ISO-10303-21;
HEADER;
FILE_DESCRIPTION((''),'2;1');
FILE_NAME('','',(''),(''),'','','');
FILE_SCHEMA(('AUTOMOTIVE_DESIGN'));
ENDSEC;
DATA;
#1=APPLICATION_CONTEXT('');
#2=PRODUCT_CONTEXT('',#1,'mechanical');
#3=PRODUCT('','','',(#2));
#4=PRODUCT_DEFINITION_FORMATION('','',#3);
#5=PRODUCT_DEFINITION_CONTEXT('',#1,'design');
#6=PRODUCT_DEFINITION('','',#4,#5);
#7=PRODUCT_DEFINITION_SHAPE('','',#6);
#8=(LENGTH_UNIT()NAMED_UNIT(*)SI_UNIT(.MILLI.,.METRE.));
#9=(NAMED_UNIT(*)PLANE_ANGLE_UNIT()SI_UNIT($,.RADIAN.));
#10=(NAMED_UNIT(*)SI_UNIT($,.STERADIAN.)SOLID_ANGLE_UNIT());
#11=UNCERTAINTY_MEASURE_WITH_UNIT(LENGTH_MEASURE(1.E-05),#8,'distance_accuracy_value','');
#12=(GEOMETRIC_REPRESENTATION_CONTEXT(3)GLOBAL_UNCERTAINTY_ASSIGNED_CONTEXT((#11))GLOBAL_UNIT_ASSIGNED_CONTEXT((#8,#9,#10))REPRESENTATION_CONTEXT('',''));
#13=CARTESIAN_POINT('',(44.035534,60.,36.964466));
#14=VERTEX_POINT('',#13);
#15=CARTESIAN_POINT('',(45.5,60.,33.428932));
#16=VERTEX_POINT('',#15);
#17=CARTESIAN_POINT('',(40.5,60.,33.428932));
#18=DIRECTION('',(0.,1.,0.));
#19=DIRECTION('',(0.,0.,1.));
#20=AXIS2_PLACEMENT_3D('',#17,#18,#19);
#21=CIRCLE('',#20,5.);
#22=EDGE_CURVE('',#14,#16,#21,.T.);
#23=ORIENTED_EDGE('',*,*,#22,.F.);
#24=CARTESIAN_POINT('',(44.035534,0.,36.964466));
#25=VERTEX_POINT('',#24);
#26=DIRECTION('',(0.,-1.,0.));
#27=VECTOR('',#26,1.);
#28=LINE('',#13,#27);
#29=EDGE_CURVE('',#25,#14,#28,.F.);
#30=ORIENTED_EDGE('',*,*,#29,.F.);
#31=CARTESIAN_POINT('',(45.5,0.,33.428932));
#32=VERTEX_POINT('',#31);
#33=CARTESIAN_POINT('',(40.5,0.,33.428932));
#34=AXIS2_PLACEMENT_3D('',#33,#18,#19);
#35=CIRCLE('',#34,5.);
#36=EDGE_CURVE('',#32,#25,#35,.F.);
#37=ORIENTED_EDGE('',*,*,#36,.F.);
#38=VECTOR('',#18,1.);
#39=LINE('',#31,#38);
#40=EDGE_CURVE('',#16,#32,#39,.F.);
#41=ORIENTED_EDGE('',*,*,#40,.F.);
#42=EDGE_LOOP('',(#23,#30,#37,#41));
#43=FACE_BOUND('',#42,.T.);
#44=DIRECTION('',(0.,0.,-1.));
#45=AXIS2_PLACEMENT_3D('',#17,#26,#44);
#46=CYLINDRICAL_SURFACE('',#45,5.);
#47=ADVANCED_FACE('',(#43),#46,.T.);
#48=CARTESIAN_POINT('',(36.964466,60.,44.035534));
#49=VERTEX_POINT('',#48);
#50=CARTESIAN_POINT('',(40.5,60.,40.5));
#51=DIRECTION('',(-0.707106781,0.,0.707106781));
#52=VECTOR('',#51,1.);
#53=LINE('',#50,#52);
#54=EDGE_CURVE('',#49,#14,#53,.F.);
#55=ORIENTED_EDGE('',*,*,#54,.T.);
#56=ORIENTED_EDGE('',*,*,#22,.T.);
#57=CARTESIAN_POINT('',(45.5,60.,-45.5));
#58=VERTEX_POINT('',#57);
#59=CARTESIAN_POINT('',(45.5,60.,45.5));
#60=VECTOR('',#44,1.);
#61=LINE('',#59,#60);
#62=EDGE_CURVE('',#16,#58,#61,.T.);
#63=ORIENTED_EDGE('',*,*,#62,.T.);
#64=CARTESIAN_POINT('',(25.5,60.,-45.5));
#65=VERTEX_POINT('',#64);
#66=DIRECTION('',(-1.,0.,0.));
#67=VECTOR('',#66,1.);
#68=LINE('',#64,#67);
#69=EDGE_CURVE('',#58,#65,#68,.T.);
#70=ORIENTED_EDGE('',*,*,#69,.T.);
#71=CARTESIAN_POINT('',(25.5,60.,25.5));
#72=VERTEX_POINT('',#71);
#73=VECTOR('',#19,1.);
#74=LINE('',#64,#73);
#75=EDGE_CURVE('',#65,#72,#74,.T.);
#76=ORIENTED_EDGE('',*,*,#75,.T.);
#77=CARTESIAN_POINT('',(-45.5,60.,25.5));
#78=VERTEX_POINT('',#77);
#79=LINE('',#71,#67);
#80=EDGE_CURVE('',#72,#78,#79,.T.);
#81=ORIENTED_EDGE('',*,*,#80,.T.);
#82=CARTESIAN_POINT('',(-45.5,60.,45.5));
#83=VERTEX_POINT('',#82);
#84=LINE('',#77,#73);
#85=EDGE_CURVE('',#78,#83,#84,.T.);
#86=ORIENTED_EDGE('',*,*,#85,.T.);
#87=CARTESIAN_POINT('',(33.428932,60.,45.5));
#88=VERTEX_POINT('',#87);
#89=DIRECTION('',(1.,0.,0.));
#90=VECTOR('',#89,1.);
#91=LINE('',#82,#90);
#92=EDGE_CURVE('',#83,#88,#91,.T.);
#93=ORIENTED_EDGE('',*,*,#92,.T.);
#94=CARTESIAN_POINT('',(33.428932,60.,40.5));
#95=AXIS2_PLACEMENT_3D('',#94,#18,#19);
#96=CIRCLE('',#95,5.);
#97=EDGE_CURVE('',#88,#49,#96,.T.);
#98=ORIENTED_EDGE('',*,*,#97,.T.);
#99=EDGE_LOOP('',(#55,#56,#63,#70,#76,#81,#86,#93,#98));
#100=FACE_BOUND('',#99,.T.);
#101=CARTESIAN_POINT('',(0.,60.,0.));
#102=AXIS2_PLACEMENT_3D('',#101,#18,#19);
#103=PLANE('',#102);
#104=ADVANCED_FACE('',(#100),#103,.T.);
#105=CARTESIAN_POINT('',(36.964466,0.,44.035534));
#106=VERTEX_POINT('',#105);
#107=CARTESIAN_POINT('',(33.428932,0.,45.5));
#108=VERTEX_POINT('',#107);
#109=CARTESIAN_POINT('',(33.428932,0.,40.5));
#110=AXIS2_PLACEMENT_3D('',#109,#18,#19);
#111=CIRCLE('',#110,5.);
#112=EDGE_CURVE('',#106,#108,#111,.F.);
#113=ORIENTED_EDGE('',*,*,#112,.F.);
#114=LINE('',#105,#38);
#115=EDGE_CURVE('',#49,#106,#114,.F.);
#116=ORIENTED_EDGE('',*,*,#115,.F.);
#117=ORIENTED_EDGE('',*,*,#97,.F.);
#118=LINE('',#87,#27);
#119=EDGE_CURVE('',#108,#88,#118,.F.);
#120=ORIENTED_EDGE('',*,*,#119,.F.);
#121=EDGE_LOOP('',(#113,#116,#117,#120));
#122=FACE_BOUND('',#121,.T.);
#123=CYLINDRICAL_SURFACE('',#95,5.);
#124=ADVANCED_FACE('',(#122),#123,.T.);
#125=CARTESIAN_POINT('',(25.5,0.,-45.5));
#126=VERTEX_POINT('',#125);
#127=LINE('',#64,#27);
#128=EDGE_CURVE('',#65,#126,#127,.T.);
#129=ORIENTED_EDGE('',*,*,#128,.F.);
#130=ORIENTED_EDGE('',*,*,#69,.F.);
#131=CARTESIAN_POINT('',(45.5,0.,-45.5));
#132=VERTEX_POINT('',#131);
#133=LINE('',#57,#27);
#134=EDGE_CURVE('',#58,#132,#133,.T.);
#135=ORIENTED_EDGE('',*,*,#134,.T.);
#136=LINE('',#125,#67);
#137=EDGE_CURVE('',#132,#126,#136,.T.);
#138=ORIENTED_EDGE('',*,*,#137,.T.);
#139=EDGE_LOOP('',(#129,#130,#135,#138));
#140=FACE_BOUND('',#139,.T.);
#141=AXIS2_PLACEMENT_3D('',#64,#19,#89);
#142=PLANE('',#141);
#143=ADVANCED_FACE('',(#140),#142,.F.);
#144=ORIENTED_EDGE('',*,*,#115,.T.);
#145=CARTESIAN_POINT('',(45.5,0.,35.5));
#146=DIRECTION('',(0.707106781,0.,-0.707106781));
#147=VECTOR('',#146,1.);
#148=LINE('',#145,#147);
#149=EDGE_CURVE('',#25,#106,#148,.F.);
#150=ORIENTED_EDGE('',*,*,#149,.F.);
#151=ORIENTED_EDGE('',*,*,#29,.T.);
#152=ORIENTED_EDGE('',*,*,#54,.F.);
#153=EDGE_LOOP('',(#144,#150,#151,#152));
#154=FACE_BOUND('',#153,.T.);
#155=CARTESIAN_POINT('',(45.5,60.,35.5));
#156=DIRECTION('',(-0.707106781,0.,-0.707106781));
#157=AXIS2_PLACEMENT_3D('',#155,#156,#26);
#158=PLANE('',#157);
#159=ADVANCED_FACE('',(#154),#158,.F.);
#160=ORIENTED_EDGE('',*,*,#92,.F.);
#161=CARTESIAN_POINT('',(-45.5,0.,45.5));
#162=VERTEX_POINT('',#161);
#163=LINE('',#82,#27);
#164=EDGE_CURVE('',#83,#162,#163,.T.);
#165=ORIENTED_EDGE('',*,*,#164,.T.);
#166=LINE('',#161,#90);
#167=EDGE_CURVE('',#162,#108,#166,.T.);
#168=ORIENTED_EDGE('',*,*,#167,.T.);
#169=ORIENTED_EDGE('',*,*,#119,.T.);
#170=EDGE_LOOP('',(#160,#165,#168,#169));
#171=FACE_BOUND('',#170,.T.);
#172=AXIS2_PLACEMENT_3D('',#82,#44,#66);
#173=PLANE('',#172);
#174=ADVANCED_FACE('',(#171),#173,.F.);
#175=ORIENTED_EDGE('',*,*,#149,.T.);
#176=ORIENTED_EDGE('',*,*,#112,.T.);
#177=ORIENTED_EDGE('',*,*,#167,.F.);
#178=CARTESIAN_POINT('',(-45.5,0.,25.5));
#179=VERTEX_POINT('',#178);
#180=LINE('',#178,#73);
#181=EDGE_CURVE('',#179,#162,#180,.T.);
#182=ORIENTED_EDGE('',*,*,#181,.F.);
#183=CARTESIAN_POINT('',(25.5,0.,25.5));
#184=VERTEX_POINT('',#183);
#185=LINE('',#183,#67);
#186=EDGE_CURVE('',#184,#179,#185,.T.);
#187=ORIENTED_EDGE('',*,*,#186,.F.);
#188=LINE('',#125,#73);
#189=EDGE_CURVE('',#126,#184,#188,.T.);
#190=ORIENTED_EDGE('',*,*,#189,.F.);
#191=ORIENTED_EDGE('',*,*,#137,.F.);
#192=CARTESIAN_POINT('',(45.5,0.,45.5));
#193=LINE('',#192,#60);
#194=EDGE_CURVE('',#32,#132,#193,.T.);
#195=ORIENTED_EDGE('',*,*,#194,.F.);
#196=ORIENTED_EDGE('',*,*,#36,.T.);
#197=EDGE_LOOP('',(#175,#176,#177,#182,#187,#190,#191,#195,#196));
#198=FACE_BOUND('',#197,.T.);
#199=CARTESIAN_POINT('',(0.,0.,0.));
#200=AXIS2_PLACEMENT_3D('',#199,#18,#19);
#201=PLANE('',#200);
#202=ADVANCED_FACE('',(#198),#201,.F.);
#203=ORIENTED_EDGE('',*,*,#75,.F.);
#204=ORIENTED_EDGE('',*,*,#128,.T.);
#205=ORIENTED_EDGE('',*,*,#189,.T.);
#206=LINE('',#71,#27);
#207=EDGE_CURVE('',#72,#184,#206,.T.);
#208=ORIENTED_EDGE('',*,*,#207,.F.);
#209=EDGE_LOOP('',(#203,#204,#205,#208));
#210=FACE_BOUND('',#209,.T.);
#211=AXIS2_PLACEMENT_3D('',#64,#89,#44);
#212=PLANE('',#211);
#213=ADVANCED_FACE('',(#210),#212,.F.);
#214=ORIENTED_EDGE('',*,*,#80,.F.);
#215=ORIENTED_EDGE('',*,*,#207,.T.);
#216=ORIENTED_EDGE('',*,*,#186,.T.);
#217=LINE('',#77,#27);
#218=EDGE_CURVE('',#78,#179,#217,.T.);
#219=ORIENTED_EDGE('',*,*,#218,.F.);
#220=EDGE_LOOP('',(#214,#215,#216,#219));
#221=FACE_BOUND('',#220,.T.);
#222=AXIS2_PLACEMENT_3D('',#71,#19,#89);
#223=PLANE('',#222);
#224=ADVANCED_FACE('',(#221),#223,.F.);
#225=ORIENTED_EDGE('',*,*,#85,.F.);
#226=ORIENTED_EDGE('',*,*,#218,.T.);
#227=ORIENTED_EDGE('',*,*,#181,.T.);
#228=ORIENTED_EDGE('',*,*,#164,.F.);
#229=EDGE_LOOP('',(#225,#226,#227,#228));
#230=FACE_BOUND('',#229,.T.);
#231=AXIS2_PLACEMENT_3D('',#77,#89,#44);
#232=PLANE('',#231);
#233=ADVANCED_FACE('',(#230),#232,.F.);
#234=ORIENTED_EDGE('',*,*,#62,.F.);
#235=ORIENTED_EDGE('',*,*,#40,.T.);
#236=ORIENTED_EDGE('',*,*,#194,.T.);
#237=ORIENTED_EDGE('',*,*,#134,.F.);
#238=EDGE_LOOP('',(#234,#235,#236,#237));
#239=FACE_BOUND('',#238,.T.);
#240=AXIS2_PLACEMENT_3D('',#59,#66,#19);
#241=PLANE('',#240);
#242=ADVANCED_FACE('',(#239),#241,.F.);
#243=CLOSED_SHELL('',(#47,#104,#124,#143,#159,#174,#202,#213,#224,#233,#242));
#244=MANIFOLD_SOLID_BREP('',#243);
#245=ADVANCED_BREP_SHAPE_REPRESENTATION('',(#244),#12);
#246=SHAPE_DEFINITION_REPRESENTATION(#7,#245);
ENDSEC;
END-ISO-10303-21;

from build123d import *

# Parameters (mm, degrees)
BOSS_EXTRUDE1_DEPTH = 60
CHAMFER1_SIZE       = 10
FILLET1_R           = 5


with BuildPart() as part:
    # Sketch1 → Boss-Extrude1 (new body)
    with BuildSketch(Plane(origin=(0, 0, 0), x_dir=(1, 0, 0), z_dir=(0, 1, 0))):
        Polygon((25.5, 45.5), (25.5, -25.5), (-45.5, -25.5), (-45.5, -45.5), (45.5, -45.5), (45.5, 45.5), align=None)
    extrude(amount=BOSS_EXTRUDE1_DEPTH)

    # Chamfer1
    chamfer1_edges = [part.edges().sort_by_distance(p)[0] for p in [
        (45.5, 30, 45.5),
    ]]
    chamfer(chamfer1_edges, length=CHAMFER1_SIZE)

    # Fillet1
    fillet1_edges = [part.edges().sort_by_distance(p)[0] for p in [
        (45.5, 30, 35.5),
        (35.5, 30, 45.5),
    ]]
    fillet(fillet1_edges, radius=FILLET1_R)


solid = part.part
